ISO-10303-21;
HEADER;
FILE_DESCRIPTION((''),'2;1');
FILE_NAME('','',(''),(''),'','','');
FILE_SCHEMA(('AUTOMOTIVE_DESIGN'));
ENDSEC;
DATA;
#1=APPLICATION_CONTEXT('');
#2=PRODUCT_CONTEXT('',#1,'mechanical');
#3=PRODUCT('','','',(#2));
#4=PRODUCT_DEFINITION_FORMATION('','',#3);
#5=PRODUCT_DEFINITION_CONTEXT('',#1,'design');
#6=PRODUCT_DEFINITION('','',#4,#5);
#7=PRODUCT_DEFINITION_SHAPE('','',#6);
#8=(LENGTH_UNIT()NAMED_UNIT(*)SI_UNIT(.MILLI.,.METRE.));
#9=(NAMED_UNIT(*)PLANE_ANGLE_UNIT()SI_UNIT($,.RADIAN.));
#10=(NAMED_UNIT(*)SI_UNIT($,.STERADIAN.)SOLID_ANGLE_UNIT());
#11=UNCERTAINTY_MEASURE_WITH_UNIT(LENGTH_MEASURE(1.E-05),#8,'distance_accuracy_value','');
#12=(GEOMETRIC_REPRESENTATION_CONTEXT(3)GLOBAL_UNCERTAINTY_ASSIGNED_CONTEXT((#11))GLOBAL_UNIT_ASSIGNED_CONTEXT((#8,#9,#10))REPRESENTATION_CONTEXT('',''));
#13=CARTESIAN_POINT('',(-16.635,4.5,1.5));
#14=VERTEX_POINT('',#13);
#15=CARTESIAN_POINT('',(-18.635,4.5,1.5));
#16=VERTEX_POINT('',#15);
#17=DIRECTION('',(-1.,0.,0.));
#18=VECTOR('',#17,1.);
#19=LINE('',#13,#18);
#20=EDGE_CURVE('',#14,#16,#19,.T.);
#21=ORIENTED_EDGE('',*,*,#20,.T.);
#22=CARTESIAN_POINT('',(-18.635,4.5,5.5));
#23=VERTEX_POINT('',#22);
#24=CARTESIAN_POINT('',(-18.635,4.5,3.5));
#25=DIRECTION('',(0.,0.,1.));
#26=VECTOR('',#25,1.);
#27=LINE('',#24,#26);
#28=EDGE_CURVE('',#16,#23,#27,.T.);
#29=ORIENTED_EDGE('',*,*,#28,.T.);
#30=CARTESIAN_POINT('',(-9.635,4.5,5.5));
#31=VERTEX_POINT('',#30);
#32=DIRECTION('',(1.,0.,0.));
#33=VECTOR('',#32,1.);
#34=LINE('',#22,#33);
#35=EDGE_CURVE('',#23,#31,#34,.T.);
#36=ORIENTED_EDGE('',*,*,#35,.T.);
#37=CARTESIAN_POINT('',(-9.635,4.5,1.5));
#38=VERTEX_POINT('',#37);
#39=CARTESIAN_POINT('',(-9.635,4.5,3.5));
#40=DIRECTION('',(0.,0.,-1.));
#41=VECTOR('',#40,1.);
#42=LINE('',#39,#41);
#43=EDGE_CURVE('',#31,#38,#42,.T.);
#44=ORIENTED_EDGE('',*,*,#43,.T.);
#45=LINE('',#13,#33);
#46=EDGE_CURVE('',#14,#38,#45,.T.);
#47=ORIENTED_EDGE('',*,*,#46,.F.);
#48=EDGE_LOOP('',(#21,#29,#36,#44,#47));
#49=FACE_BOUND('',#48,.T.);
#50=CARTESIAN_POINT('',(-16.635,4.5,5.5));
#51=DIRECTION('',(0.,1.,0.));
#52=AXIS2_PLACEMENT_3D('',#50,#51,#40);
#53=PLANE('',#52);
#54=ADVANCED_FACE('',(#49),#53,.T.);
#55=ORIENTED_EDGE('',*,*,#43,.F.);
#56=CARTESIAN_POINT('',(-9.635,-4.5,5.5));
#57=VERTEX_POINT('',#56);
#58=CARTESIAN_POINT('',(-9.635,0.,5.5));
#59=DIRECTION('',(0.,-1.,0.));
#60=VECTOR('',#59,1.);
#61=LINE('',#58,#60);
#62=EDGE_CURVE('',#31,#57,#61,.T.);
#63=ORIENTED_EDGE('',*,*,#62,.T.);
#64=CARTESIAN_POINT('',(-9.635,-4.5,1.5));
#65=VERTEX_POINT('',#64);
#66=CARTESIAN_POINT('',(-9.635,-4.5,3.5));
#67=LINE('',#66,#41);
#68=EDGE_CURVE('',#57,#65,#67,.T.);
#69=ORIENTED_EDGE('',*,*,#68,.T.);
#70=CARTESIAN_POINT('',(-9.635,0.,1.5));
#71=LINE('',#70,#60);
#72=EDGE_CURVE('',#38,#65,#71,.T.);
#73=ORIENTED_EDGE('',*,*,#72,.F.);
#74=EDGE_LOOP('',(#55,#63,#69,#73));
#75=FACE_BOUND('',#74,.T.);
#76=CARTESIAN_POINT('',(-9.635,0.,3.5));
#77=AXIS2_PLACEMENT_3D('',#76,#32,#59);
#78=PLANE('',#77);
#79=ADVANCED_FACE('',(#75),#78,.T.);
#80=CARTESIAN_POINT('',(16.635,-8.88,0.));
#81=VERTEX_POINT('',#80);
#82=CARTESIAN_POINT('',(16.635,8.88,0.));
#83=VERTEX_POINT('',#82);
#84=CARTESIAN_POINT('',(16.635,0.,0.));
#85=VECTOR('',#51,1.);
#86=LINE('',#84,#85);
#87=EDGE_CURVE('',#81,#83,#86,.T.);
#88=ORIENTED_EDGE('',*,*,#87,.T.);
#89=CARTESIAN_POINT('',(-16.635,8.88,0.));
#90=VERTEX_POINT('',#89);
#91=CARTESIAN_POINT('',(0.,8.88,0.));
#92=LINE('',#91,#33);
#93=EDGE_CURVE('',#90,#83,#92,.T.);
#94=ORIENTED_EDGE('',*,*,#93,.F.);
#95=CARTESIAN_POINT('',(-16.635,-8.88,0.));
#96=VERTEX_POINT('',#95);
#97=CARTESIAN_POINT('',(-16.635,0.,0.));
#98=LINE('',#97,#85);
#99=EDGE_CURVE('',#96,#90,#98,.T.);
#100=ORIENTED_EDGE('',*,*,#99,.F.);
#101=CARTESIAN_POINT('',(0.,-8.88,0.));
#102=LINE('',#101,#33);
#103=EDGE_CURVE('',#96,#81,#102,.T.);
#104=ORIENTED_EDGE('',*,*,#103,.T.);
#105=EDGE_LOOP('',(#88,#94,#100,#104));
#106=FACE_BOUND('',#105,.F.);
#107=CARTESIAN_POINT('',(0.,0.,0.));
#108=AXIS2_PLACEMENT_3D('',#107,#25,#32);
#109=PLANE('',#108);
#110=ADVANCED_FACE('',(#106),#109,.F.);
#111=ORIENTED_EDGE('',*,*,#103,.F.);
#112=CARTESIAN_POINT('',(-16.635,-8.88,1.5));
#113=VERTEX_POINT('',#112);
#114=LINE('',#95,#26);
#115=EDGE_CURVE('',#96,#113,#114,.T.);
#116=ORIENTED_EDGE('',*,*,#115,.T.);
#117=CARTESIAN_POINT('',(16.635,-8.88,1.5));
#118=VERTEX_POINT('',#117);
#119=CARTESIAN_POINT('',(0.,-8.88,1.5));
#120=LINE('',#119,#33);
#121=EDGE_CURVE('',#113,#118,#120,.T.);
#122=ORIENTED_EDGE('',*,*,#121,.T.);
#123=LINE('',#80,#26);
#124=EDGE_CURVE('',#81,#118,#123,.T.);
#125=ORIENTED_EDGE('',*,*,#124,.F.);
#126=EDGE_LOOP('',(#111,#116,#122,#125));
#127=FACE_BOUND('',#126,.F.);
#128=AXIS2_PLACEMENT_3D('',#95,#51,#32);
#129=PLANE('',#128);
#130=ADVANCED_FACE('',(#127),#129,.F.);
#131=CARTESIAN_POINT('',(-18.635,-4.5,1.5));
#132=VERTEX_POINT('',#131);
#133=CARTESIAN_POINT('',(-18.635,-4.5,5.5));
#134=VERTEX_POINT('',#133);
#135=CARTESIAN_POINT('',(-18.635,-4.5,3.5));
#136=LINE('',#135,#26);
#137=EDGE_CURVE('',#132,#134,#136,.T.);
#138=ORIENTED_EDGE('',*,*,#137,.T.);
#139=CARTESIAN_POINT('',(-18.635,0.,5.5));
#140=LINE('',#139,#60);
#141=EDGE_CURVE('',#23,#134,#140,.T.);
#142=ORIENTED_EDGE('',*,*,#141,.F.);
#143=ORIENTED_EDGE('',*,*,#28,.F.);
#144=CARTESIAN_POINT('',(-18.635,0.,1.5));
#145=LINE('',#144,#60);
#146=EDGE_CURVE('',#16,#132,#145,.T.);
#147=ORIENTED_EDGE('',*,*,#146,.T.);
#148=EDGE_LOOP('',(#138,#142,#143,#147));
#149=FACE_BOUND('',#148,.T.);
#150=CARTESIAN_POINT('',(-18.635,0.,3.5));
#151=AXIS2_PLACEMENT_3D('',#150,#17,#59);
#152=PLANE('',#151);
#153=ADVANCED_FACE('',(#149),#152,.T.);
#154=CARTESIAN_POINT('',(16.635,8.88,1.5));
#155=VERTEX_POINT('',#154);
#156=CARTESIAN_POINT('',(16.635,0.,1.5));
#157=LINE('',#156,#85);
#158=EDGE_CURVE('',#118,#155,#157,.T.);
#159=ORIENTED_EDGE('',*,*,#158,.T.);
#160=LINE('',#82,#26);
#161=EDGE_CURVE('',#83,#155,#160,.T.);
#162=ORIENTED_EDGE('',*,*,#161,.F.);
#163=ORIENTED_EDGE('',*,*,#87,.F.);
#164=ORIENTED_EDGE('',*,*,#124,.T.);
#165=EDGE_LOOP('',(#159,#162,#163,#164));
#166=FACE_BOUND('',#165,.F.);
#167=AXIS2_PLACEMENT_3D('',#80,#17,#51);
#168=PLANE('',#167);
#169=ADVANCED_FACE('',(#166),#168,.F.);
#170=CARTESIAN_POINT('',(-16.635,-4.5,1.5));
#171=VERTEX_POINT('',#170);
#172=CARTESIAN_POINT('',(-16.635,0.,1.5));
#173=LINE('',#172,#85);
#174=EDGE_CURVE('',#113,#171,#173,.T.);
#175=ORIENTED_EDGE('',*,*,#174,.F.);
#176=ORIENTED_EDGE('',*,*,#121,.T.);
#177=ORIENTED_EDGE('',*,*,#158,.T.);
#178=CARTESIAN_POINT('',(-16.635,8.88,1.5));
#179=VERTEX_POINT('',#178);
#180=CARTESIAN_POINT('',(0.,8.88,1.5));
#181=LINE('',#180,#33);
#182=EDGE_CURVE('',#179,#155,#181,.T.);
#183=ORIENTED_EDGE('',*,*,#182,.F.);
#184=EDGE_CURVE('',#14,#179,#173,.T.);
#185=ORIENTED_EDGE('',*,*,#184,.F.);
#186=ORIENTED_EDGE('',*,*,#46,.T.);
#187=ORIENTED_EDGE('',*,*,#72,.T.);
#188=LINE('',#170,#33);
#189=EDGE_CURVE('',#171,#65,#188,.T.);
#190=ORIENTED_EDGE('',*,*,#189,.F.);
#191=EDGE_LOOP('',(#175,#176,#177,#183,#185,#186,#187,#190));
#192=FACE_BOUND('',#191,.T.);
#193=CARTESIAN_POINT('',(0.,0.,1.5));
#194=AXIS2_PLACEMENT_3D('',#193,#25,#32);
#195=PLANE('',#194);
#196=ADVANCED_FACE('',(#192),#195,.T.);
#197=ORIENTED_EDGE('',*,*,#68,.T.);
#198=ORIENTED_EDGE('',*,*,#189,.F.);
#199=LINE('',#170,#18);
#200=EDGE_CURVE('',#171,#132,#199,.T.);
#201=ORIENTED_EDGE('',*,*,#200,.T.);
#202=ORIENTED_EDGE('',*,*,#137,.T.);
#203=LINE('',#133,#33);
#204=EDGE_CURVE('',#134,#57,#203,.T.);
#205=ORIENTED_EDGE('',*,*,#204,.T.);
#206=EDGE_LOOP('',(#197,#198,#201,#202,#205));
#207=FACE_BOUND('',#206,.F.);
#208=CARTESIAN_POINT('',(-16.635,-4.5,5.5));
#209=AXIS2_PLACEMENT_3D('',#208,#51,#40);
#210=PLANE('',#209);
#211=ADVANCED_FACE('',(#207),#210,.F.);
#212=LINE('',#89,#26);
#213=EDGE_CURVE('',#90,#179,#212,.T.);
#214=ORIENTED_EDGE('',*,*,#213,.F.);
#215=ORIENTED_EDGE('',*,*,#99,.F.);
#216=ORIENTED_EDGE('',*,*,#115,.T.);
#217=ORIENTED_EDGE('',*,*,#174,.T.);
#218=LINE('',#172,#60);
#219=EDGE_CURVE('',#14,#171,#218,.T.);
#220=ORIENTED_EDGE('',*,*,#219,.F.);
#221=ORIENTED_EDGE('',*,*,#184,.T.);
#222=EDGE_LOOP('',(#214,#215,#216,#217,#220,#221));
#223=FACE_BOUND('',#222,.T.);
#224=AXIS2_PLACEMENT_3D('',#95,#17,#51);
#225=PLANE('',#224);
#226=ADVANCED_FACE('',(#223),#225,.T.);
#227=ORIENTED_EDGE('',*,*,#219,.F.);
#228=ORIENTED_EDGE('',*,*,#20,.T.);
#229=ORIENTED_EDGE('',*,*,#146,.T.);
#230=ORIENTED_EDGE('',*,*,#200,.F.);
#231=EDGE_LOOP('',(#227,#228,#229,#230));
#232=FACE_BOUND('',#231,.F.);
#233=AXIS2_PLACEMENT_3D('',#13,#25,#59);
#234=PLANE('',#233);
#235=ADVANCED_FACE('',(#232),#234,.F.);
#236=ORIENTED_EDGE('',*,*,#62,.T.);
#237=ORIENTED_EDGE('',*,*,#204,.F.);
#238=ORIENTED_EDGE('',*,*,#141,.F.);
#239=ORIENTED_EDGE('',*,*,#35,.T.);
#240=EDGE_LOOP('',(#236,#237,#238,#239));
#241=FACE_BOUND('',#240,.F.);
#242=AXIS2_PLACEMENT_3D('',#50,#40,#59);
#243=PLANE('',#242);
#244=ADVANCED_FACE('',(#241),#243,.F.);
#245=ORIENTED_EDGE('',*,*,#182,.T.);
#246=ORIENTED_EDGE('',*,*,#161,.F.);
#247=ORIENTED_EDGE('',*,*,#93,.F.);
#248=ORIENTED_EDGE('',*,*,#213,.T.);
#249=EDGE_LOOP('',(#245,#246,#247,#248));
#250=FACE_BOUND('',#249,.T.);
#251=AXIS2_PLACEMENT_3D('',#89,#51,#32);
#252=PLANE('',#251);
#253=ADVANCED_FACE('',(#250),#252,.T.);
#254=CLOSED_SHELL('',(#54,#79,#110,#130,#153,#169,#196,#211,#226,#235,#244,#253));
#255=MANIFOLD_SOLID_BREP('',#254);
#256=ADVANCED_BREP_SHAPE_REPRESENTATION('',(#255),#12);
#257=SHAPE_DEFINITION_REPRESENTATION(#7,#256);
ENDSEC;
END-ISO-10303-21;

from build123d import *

# Parameters (mm, degrees)
F0_W      = 33.27
F0_H      = 17.76
F1_DEPTH  = 1.5
F2_W      = 9
F2_H      = 4
F3_DEPTH  = 2
F3_FACE_W = 9
F3_FACE_H = 4
F4_DEPTH  = 7


with BuildPart() as f1:
    # F0 (on Top) → F1 (new body)
    with BuildSketch(Plane.XY):
        Rectangle(F0_W, F0_H)
    extrude(amount=F1_DEPTH)



with BuildPart() as f3:
    # F2 (on face) → F3 (new body)
    with BuildSketch(Plane(origin=(-16.635, 0, 0), x_dir=(0, -1, 0), z_dir=(-1, 0, 0))):
        with Locations((0, 3.5)):
            Rectangle(F2_W, F2_H)
    extrude(amount=F3_DEPTH)


with BuildPart() as f1_1:
    add(f1.part)

    add(f3.part)  # F4 merges F3
    # F3_face (on face) → F4 (join)
    with BuildSketch(Plane(origin=(-16.635, 0, 3.5), x_dir=(0, -1, 0), z_dir=(1, 0, 0))):
        Rectangle(F3_FACE_W, F3_FACE_H)
    extrude(amount=F4_DEPTH)


solid = f1_1.part
